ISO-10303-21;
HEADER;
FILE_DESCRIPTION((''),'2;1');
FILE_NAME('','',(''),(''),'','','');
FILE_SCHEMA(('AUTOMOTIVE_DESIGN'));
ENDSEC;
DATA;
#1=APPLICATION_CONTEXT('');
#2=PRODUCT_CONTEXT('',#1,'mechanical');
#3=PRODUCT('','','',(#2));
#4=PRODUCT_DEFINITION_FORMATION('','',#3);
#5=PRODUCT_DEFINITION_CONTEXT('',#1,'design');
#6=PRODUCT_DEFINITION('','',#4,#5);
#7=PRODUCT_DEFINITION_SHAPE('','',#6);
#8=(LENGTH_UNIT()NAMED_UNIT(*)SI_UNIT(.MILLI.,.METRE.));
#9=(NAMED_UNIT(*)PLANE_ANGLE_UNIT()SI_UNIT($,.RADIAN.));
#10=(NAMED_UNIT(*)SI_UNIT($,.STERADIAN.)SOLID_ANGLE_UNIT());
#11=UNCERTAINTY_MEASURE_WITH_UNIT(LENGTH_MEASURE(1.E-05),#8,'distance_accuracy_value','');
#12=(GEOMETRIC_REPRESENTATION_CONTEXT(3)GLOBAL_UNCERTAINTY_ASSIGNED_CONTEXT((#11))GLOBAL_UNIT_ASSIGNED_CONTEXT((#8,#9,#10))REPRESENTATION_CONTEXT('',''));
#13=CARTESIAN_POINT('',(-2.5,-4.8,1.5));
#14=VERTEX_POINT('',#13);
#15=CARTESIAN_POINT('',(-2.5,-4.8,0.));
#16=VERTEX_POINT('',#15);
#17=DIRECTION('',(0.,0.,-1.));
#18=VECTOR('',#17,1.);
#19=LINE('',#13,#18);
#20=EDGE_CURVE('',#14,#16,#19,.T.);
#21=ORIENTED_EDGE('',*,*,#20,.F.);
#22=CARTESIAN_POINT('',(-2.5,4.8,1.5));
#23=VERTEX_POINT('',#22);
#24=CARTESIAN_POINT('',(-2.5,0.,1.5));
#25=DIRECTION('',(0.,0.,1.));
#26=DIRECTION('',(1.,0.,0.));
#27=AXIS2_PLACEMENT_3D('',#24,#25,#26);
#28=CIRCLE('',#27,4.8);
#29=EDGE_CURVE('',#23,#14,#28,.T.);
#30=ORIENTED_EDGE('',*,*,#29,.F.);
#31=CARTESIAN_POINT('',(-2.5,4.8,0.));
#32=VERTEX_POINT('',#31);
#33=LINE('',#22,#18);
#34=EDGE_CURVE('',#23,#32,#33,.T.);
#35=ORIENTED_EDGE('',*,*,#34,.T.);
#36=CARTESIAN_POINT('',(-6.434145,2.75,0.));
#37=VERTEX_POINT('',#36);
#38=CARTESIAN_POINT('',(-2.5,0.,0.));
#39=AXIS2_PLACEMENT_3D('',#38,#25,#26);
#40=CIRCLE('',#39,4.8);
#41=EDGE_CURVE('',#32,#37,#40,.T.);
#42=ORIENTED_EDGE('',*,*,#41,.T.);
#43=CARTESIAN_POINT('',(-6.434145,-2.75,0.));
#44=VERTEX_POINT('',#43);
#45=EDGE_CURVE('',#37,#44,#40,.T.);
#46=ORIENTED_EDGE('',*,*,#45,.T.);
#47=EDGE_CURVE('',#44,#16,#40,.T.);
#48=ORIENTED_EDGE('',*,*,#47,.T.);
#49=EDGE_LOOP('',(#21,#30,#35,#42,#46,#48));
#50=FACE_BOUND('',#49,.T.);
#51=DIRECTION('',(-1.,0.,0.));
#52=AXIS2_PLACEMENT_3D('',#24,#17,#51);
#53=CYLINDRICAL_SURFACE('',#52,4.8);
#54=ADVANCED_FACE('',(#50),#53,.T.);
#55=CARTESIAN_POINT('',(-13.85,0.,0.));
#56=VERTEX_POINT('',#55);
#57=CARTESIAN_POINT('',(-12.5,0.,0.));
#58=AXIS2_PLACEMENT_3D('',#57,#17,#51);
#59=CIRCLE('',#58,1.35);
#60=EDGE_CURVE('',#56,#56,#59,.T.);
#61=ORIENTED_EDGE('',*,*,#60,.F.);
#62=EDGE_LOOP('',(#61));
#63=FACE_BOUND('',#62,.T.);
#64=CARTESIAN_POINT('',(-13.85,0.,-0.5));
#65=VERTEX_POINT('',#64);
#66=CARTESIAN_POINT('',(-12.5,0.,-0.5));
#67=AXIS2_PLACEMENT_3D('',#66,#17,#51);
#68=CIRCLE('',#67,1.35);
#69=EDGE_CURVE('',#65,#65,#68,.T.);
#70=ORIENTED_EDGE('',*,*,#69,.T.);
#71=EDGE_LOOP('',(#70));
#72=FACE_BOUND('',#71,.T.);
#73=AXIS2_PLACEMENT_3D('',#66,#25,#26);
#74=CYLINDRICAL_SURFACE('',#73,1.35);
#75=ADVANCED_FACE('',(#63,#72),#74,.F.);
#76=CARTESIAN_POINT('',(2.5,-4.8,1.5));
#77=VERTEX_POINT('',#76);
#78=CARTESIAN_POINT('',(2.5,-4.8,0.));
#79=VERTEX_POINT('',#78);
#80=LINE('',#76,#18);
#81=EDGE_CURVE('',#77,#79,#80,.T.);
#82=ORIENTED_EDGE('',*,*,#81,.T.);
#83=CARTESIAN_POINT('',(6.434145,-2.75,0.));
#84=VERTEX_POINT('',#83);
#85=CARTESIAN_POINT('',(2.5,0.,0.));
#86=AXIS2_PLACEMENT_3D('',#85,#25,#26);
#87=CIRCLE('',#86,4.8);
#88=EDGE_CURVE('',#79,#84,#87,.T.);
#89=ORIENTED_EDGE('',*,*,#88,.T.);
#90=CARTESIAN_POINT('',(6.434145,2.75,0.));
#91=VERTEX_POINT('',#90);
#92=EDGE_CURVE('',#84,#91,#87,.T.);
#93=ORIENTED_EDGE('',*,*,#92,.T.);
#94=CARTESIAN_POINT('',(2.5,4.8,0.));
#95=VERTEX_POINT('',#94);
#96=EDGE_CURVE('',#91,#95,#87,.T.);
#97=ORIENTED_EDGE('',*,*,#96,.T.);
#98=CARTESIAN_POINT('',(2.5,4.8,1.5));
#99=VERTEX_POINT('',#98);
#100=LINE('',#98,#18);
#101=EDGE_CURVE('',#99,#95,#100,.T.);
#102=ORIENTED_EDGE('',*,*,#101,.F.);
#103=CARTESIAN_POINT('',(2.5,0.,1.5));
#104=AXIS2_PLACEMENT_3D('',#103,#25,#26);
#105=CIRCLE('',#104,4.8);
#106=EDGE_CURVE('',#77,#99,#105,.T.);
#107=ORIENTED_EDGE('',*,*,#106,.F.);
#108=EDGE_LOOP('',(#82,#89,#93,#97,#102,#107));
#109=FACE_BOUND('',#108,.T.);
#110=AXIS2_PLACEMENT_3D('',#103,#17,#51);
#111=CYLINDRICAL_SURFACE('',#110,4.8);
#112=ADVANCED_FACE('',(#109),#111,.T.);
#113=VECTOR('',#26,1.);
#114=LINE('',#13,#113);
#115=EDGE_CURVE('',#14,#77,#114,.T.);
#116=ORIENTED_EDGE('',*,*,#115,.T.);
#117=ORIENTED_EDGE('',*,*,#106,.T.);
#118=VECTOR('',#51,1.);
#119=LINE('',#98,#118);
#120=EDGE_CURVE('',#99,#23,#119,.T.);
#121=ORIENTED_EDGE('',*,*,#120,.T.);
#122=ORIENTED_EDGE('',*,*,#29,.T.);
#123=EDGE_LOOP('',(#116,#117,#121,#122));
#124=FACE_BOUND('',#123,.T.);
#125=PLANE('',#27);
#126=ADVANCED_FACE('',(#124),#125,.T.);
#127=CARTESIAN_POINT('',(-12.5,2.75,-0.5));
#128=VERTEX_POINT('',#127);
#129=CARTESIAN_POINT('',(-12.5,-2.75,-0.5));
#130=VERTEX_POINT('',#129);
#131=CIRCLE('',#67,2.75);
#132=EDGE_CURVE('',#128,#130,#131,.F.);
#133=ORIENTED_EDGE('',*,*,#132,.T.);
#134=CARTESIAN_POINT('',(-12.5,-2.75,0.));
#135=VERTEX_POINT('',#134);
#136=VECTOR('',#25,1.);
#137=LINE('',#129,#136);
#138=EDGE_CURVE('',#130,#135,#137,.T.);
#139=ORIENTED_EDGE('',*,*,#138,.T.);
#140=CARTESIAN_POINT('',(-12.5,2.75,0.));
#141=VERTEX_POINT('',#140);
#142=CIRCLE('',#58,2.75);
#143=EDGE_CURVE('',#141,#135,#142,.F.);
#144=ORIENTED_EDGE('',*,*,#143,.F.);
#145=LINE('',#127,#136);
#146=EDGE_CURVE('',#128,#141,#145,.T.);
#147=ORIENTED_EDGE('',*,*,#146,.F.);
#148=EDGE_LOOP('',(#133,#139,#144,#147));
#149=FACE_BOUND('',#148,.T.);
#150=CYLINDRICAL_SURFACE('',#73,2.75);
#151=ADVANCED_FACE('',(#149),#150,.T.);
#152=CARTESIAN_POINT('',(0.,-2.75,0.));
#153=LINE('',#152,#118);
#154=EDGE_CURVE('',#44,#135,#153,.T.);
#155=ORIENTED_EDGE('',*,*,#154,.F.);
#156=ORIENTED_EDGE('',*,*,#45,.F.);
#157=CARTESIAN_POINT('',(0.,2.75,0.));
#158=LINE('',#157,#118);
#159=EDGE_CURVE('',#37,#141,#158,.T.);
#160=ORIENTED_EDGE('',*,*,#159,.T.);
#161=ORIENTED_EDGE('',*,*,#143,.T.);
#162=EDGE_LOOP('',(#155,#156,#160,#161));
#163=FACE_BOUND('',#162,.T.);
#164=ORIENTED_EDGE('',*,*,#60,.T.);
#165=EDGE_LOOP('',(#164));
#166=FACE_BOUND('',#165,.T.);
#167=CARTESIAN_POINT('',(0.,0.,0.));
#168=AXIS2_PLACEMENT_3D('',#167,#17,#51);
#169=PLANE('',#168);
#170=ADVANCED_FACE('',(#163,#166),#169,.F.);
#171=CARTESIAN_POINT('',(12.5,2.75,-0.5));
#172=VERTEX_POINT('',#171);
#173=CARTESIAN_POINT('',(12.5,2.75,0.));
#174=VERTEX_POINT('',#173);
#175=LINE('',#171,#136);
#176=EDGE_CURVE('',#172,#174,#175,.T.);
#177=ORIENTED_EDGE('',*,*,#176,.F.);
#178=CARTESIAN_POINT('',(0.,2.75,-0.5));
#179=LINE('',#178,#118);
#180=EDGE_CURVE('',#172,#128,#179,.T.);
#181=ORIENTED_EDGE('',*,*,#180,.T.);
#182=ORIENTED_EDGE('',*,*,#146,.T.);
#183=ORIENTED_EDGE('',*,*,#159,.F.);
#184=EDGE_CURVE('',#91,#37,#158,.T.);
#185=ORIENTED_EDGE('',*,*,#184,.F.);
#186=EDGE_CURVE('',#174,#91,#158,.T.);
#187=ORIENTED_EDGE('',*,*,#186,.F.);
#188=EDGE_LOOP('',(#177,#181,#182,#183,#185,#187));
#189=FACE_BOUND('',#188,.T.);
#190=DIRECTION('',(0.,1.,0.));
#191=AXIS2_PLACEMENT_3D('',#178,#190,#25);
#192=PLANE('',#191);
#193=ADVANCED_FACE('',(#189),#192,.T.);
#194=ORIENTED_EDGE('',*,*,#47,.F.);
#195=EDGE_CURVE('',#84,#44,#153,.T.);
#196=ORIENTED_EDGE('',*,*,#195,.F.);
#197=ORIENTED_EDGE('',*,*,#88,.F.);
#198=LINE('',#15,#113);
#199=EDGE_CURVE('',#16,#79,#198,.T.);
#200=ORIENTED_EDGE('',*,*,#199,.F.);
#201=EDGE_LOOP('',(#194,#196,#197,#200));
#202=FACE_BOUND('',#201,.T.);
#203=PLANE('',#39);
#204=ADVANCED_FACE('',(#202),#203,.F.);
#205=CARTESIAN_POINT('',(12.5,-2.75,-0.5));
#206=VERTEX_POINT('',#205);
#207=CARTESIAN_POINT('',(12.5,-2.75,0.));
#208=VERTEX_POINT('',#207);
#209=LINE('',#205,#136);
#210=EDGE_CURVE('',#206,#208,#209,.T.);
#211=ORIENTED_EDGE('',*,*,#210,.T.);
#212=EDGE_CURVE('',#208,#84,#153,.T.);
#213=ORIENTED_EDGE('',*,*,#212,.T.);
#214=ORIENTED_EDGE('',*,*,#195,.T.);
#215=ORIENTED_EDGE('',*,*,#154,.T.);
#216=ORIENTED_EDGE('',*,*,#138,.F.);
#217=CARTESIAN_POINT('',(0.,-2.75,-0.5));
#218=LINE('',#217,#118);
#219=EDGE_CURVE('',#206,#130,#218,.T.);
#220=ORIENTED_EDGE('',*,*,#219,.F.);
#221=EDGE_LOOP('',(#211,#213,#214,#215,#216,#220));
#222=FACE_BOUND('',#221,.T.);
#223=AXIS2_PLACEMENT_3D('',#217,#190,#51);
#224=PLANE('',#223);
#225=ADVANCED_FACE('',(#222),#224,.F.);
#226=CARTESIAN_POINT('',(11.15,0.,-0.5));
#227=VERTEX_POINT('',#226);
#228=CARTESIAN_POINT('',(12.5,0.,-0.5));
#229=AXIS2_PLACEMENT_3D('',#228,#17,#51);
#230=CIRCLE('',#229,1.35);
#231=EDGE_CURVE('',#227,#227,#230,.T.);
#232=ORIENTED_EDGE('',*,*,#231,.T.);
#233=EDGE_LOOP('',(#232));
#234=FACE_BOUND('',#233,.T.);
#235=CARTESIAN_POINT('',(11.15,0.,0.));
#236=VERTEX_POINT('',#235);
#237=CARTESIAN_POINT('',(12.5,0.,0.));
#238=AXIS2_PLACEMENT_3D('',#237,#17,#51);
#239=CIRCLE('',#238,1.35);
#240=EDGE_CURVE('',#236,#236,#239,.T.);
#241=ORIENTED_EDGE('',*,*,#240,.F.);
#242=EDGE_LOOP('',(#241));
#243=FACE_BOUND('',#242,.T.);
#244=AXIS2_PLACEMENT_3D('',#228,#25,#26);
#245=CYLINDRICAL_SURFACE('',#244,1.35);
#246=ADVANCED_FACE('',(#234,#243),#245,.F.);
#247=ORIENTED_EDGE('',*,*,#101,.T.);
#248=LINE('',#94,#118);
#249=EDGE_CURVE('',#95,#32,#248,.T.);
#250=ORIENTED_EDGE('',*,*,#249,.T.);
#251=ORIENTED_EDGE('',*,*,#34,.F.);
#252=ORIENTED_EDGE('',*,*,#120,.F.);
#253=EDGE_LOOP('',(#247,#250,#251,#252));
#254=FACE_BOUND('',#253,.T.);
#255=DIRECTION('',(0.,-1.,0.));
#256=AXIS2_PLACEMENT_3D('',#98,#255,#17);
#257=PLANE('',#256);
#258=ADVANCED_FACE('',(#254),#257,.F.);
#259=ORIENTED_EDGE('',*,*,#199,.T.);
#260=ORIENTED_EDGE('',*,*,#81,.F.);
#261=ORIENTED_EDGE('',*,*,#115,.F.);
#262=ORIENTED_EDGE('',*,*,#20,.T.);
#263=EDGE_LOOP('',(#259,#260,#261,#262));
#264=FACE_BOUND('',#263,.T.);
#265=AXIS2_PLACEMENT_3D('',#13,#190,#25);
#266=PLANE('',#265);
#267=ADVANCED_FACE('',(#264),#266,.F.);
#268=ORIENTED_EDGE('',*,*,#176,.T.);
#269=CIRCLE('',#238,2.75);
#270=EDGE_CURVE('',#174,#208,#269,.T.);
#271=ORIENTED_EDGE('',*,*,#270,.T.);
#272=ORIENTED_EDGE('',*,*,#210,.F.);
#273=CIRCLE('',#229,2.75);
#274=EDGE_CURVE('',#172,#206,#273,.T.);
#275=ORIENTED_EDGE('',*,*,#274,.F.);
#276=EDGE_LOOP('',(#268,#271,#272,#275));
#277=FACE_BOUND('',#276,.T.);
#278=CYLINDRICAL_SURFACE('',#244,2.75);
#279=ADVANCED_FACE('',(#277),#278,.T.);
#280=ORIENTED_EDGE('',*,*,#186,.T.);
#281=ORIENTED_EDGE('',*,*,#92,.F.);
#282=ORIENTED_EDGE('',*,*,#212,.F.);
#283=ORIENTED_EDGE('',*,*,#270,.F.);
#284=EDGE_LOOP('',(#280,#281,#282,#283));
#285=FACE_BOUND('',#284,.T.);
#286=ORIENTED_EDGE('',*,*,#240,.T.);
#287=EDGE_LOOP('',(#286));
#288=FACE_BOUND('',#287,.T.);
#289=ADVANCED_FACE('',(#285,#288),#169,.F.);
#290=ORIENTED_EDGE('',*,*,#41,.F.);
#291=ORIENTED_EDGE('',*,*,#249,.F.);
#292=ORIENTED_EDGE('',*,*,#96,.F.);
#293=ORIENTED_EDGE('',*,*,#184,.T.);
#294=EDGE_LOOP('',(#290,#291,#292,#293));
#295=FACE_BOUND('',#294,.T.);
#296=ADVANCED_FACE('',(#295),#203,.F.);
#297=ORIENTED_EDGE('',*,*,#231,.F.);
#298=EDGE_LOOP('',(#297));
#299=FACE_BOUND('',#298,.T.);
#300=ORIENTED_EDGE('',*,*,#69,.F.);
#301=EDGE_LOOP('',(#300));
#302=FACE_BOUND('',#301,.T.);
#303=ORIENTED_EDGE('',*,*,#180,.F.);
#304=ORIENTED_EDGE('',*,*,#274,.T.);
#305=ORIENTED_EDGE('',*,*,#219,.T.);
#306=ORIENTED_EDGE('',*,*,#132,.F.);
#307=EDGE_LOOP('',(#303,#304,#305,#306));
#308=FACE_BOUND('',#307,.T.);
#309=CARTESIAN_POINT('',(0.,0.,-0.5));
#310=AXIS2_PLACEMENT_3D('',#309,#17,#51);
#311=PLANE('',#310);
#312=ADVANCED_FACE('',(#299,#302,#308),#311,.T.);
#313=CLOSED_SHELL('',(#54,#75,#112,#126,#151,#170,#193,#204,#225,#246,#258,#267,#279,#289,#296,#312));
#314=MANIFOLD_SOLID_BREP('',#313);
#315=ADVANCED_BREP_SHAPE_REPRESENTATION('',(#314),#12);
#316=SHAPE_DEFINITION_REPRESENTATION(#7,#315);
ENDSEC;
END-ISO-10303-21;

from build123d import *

# Parameters (mm, degrees)
BOSS_EXTRUDE2_DEPTH = 1.5
SKETCH4_R           = 1.35
BOSS_EXTRUDE4_DEPTH = 0.5


with BuildPart() as part:
    # Sketch2 → Boss-Extrude2 (new body)
    with BuildSketch(Plane.XY):
        with BuildLine():
            Line((-2.5, -4.8), (2.5, -4.8))
            ThreePointArc((2.5, -4.8), (7.3, 0), (2.5, 4.8))
            Line((2.5, 4.8), (-2.5, 4.8))
            ThreePointArc((-2.5, 4.8), (-7.3, 0), (-2.5, -4.8))
        make_face()
    extrude(amount=BOSS_EXTRUDE2_DEPTH)

    # Sketch4 → Boss-Extrude4 (add)
    with BuildSketch(Plane(origin=(0, 0, 0), x_dir=(-1, 0, 0), z_dir=(0, 0, -1))):
        with BuildLine():
            Line((-12.5, -2.75), (12.5, -2.75))
            ThreePointArc((12.5, -2.75), (15.25, 0), (12.5, 2.75))
            Line((12.5, 2.75), (-12.5, 2.75))
            ThreePointArc((-12.5, 2.75), (-15.25, 0), (-12.5, -2.75))
        make_face()
        with Locations((-12.5, 0)):
            Circle(SKETCH4_R, mode=Mode.SUBTRACT)
        with Locations((12.5, 0)):
            Circle(SKETCH4_R, mode=Mode.SUBTRACT)
    extrude(amount=BOSS_EXTRUDE4_DEPTH)


solid = part.part
